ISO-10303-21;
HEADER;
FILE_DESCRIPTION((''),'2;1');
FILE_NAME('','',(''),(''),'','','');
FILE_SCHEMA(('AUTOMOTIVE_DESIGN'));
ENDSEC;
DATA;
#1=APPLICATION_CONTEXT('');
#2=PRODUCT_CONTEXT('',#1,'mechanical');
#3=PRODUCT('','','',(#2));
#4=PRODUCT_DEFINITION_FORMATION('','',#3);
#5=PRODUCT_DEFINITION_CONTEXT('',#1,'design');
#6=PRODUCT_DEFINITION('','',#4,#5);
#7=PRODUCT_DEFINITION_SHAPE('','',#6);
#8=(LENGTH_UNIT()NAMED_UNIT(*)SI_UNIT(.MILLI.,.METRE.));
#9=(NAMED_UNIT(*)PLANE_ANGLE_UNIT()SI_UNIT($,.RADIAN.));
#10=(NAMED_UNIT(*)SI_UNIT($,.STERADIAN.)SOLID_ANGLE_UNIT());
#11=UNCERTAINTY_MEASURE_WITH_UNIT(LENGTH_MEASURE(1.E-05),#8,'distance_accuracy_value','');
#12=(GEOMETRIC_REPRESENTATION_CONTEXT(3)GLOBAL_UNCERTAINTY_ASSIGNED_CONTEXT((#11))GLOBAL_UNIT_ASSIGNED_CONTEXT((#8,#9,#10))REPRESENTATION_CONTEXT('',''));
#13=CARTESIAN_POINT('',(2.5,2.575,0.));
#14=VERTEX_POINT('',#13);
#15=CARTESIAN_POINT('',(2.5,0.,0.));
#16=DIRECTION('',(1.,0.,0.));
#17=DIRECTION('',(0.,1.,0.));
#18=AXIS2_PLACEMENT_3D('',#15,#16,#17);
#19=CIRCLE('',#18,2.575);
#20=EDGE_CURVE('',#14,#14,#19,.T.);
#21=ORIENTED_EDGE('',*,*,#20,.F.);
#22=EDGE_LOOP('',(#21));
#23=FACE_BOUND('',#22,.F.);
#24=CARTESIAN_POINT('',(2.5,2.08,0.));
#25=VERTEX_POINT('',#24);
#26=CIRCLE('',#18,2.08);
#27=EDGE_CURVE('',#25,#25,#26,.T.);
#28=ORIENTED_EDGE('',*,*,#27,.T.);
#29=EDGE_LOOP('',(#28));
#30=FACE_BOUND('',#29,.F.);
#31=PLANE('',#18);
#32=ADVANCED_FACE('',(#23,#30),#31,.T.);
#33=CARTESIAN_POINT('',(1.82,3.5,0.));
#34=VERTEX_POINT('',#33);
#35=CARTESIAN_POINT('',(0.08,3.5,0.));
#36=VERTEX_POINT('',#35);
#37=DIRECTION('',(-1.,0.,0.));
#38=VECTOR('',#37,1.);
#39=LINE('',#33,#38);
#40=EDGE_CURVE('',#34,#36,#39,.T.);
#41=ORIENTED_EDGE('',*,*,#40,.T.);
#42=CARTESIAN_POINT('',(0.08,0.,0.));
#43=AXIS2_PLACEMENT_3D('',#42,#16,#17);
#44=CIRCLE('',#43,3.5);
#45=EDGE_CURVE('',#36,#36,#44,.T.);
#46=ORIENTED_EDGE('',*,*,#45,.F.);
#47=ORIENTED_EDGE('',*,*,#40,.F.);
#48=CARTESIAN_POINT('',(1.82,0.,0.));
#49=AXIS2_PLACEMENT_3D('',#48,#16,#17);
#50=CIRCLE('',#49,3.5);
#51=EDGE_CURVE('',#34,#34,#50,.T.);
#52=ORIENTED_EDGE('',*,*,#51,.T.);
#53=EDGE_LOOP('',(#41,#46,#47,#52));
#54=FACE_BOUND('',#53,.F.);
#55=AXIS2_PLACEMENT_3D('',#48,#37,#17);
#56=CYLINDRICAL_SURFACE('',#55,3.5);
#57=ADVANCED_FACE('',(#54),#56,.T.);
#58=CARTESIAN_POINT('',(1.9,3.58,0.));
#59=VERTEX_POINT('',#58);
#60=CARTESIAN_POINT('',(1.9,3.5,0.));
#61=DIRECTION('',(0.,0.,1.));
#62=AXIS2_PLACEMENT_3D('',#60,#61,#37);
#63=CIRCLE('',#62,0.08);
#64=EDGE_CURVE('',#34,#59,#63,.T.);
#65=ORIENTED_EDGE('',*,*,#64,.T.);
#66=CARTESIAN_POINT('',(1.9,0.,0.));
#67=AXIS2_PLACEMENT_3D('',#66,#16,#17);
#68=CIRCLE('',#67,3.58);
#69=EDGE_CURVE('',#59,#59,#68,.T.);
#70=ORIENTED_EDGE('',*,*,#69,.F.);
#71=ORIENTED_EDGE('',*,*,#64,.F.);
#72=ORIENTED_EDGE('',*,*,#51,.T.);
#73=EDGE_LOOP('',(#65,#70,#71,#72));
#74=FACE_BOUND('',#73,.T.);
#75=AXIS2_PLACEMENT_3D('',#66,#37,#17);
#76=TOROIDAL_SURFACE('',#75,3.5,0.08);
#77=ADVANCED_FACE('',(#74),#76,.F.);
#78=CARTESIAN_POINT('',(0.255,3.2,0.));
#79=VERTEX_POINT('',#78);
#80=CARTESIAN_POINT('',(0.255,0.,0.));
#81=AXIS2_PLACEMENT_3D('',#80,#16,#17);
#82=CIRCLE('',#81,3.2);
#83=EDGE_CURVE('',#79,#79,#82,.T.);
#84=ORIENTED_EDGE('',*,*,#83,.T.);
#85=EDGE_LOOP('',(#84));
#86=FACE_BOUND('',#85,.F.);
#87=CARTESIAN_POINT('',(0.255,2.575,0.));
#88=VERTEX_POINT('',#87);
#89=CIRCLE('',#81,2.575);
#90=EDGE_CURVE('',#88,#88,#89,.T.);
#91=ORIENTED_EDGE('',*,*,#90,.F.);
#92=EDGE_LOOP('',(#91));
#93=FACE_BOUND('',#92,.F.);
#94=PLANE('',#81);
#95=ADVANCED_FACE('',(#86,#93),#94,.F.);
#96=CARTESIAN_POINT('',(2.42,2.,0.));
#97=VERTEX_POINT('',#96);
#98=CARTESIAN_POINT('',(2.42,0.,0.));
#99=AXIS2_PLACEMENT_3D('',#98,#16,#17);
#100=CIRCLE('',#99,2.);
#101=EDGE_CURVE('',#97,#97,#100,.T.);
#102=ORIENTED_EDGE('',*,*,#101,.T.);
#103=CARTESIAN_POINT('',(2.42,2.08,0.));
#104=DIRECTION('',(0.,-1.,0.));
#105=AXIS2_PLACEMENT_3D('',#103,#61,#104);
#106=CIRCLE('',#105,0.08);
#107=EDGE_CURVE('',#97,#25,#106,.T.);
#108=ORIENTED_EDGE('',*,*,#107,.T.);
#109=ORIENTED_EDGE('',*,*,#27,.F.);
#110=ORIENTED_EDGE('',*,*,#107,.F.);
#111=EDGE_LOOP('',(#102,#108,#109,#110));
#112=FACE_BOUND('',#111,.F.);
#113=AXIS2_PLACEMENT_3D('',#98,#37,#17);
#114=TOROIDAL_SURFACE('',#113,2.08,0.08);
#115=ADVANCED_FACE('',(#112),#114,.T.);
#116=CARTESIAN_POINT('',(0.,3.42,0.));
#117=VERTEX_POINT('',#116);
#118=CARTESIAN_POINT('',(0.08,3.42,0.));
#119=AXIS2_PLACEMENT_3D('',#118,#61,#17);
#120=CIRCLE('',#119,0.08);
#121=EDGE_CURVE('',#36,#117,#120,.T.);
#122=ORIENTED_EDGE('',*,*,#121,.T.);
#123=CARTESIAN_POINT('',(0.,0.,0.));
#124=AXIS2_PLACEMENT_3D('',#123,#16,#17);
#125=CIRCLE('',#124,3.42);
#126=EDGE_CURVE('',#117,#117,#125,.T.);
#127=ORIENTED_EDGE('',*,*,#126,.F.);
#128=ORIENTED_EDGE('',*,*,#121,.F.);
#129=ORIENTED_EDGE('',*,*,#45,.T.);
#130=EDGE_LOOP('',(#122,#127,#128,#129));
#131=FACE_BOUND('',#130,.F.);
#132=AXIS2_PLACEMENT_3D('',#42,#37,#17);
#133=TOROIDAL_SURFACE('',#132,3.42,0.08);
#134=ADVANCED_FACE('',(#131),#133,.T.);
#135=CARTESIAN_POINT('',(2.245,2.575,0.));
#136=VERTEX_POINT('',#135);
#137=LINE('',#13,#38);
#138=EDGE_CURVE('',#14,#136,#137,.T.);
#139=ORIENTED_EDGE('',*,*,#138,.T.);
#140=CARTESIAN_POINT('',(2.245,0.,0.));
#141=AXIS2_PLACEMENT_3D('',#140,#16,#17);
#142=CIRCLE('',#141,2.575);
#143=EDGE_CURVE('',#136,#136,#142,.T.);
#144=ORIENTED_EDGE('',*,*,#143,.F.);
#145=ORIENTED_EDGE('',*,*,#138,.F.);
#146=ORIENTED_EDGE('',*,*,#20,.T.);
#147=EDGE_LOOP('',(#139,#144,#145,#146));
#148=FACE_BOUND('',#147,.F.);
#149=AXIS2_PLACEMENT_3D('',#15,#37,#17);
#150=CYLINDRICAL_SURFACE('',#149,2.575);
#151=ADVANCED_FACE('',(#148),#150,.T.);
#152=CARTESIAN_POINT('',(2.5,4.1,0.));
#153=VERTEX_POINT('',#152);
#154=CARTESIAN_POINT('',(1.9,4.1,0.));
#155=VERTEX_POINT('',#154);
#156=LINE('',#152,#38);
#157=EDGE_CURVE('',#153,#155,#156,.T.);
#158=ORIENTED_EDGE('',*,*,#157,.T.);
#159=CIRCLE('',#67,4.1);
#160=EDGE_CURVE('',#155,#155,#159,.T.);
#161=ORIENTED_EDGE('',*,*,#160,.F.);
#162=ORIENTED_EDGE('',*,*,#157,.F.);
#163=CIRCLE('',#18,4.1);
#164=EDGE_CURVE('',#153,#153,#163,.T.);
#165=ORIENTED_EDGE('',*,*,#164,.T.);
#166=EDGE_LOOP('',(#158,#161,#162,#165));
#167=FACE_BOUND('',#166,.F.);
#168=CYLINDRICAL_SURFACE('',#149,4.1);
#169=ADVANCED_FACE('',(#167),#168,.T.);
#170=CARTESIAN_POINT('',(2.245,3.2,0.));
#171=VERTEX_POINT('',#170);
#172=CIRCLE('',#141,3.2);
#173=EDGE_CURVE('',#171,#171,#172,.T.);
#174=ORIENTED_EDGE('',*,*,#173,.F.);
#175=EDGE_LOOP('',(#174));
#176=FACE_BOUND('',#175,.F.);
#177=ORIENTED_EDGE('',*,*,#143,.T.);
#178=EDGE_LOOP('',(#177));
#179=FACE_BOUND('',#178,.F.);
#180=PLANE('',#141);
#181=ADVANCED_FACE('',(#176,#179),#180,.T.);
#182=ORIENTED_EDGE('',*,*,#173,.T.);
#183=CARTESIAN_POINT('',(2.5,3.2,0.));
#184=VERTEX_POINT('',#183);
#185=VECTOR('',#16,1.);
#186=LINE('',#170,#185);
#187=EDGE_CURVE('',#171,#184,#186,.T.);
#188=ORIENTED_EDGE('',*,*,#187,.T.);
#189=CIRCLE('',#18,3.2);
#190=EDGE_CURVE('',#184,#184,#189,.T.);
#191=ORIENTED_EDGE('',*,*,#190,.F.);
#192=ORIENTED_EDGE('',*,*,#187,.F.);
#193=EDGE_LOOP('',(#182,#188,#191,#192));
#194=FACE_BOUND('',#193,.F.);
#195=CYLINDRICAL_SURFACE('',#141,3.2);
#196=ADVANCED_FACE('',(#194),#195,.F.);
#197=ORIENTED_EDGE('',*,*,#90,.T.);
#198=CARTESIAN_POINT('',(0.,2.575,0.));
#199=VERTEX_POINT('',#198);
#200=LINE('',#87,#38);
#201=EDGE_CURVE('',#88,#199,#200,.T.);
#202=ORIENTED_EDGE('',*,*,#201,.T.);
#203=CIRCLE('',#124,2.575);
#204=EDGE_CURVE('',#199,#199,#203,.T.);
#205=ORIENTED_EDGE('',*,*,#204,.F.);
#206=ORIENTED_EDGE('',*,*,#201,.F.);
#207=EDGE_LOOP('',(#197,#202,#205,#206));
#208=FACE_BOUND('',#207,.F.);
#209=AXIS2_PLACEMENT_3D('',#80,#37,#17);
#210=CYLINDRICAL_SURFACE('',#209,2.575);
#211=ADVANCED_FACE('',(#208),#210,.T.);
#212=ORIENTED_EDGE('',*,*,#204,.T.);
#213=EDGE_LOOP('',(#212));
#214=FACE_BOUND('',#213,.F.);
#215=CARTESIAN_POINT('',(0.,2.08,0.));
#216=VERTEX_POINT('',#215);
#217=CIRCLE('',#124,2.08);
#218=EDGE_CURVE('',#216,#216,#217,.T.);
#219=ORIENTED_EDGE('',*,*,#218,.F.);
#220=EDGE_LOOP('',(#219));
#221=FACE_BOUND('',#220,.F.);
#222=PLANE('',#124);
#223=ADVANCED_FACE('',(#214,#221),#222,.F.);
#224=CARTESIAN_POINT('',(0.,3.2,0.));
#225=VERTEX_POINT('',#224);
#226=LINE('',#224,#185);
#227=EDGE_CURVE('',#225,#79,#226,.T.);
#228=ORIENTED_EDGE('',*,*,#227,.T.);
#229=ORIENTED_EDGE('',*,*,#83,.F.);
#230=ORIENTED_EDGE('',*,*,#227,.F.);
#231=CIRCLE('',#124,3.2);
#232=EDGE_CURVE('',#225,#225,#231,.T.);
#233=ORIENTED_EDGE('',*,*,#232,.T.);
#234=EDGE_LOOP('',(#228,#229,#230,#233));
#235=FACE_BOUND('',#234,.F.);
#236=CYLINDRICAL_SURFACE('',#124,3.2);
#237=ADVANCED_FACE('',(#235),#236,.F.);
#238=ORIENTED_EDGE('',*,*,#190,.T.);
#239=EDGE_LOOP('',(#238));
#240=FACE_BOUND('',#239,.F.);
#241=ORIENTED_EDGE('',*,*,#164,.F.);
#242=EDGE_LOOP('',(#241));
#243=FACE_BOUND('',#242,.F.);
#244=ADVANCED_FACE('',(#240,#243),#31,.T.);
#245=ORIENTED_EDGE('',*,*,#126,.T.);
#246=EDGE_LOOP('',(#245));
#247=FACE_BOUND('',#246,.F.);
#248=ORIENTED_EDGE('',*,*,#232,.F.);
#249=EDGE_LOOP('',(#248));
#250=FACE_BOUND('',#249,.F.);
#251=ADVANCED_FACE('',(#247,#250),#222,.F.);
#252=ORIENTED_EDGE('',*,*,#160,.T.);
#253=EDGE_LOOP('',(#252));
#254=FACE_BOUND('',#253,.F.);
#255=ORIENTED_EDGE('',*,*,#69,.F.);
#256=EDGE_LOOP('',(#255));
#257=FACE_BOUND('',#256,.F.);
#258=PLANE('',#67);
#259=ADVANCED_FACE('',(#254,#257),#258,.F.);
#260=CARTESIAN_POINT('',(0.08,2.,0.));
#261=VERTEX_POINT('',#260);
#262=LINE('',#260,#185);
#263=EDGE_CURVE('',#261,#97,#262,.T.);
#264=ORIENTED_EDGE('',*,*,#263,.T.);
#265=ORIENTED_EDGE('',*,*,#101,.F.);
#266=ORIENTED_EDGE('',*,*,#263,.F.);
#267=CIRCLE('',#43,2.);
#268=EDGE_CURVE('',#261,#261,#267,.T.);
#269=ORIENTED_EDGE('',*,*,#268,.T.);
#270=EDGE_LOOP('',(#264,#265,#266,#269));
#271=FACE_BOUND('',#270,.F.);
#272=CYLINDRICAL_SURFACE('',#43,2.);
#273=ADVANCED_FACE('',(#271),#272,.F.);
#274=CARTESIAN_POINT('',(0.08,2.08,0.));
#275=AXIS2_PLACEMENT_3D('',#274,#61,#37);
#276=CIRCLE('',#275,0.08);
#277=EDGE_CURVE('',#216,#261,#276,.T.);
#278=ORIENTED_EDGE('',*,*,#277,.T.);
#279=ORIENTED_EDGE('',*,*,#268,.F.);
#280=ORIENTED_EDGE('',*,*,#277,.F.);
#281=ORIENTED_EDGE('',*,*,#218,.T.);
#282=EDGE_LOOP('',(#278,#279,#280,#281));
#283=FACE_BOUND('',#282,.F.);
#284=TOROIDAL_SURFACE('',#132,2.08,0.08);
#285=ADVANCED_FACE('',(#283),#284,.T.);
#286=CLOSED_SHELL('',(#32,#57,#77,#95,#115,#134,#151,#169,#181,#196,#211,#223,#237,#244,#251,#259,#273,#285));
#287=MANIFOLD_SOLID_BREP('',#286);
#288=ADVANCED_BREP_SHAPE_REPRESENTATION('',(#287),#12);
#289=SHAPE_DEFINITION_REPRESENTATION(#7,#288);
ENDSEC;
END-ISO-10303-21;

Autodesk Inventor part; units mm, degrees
sketch "Sketch_1" plane through (0, 0, 0) normal (0, 0, 1) x (1, 0, 0)
  line L0 (7, 0) -> (-7, 0)
  arc A0 (0, 2.08) -> (0.08, 2) centre (0.08, 2.08) ccw
  line L1 (0.08, 2) -> (2.42, 2)
  arc A1 (2.42, 2) -> (2.5, 2.08) centre (2.42, 2.08) ccw
  line L2 (2.5, 2.08) -> (2.5, 2.575)
  line L3 (2.5, 2.575) -> (2.245, 2.575)
  line L4 (2.245, 2.575) -> (2.245, 3.2)
  line L5 (2.245, 3.2) -> (2.5, 3.2)
  line L6 (2.5, 3.2) -> (2.5, 4.1)
  line L7 (2.5, 4.1) -> (1.9, 4.1)
  line L8 (1.9, 4.1) -> (1.9, 3.58)
  arc A2 (1.82, 3.5) -> (1.9, 3.58) centre (1.9, 3.5) ccw
  line L9 (1.82, 3.5) -> (0.08, 3.5)
  arc A3 (0.08, 3.5) -> (0, 3.42) centre (0.08, 3.42) ccw
  line L10 (0, 3.42) -> (0, 3.2)
  line L11 (0, 3.2) -> (0.255, 3.2)
  line L12 (0.255, 3.2) -> (0.255, 2.575)
  line L13 (0.255, 2.575) -> (0, 2.575)
  line L14 (0, 2.575) -> (0, 2.08)
revolve "Revolution1" add sketch "Sketch_1" angle 360 about axis through (7, 0, 0) along (1, 0, 0)
ref_plane "to_housing_XY" through (0, 0, 0) normal (1, 0, 0) x (0, 0, -1)
ref_plane "to_housing_YZ" through (0, 0, 0) normal (0, 0, -1) x (0, 1, 0)
ref_plane "to_housing_ZX" through (0, 0, 0) normal (0, 1, 0) x (1, 0, 0)
properties part number "Parts_bearing_FL674ZZ"
